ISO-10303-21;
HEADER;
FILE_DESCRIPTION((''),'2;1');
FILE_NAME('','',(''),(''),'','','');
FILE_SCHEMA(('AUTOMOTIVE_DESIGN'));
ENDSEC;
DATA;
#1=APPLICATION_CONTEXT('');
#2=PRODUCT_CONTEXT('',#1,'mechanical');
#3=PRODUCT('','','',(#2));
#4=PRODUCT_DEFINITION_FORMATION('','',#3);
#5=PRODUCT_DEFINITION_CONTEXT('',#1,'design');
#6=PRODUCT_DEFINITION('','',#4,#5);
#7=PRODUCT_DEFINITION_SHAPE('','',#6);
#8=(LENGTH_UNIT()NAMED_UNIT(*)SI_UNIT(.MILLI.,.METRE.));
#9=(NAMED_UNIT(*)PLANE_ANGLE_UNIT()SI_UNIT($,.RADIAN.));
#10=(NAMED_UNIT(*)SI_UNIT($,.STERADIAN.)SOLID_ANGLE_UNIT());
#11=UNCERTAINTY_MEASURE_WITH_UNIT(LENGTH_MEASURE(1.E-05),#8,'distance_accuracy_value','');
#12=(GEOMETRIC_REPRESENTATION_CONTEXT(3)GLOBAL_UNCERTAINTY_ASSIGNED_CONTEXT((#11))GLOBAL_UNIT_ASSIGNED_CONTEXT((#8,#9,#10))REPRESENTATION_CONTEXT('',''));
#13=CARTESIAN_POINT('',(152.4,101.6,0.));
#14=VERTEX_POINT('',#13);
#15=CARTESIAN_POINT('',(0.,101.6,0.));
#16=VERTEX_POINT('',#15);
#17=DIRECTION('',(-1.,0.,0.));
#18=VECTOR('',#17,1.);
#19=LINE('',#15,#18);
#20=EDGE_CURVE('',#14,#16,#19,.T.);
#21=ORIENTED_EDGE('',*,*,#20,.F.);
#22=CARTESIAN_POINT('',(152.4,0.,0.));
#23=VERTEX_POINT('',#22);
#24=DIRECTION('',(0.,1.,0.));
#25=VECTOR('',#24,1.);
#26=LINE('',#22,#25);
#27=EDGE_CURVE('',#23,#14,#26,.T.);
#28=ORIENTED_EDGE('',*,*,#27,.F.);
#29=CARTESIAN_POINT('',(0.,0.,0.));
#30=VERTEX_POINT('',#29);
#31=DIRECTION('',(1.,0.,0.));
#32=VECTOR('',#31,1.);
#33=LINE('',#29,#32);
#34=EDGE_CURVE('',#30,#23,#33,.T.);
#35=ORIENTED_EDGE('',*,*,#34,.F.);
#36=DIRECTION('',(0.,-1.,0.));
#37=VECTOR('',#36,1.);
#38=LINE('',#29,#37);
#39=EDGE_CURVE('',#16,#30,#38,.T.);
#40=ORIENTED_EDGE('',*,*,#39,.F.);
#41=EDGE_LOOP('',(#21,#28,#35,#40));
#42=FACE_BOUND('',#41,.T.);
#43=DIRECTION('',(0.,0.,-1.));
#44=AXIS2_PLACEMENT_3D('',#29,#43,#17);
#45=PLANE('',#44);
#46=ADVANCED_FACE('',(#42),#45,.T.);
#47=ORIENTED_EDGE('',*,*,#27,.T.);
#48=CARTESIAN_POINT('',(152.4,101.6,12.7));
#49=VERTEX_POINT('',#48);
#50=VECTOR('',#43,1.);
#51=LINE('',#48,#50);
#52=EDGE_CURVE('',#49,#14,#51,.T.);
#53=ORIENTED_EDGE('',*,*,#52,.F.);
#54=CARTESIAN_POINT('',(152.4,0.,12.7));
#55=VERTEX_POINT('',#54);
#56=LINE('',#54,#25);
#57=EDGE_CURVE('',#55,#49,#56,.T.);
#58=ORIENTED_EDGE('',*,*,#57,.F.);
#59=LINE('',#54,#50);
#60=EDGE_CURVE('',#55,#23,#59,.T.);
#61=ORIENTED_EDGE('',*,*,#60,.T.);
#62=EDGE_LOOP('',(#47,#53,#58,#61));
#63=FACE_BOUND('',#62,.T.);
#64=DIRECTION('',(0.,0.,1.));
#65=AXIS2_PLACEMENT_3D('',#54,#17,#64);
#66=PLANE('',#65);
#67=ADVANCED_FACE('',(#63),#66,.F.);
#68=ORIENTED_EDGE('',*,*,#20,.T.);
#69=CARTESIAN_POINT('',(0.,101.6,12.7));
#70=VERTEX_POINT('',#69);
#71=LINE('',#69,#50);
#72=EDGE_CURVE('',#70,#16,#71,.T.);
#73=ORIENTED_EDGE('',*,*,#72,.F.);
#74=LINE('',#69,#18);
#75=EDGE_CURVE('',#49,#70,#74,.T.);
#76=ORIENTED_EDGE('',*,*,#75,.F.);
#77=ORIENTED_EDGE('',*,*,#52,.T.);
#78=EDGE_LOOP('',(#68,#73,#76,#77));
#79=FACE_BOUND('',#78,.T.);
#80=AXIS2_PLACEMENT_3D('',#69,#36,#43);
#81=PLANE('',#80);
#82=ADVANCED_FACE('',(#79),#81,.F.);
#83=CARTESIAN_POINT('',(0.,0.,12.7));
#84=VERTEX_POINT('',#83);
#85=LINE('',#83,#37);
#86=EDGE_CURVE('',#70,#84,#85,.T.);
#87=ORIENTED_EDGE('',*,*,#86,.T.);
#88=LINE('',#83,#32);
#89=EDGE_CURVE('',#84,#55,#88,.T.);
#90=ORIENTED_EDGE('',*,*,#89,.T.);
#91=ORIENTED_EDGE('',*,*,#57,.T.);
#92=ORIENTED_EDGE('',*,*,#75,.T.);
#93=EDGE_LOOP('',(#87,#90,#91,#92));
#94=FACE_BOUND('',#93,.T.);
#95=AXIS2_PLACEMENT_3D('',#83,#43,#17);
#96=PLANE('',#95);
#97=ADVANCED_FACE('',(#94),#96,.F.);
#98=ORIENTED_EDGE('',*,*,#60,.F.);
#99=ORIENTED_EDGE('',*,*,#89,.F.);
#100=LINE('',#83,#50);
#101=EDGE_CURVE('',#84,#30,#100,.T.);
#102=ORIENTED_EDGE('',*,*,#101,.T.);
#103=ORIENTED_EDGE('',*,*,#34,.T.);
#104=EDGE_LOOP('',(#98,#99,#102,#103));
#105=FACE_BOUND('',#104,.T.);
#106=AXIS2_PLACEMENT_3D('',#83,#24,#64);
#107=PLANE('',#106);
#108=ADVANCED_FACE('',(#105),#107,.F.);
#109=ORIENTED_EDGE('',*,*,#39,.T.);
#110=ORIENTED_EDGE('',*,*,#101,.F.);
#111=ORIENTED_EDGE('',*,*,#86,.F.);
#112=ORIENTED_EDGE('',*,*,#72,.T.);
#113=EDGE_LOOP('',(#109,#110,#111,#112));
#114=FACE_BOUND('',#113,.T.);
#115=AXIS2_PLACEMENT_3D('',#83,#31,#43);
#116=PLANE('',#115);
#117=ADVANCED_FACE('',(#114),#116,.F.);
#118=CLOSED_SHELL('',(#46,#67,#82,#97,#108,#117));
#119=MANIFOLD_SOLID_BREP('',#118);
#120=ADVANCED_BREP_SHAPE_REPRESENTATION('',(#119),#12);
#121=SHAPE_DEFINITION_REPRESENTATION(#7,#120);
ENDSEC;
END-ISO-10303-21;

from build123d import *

# Parameters (mm, degrees)
SKETCH1_W        = 152.4
SKETCH1_H        = 101.6
BASE_BLOCK_DEPTH = 12.7


with BuildPart() as part:
    # Sketch1 → base_block (new body)
    with BuildSketch(Plane.XY):
        with Locations((76.2, 50.8)):
            Rectangle(SKETCH1_W, SKETCH1_H)
    extrude(amount=BASE_BLOCK_DEPTH)


solid = part.part
